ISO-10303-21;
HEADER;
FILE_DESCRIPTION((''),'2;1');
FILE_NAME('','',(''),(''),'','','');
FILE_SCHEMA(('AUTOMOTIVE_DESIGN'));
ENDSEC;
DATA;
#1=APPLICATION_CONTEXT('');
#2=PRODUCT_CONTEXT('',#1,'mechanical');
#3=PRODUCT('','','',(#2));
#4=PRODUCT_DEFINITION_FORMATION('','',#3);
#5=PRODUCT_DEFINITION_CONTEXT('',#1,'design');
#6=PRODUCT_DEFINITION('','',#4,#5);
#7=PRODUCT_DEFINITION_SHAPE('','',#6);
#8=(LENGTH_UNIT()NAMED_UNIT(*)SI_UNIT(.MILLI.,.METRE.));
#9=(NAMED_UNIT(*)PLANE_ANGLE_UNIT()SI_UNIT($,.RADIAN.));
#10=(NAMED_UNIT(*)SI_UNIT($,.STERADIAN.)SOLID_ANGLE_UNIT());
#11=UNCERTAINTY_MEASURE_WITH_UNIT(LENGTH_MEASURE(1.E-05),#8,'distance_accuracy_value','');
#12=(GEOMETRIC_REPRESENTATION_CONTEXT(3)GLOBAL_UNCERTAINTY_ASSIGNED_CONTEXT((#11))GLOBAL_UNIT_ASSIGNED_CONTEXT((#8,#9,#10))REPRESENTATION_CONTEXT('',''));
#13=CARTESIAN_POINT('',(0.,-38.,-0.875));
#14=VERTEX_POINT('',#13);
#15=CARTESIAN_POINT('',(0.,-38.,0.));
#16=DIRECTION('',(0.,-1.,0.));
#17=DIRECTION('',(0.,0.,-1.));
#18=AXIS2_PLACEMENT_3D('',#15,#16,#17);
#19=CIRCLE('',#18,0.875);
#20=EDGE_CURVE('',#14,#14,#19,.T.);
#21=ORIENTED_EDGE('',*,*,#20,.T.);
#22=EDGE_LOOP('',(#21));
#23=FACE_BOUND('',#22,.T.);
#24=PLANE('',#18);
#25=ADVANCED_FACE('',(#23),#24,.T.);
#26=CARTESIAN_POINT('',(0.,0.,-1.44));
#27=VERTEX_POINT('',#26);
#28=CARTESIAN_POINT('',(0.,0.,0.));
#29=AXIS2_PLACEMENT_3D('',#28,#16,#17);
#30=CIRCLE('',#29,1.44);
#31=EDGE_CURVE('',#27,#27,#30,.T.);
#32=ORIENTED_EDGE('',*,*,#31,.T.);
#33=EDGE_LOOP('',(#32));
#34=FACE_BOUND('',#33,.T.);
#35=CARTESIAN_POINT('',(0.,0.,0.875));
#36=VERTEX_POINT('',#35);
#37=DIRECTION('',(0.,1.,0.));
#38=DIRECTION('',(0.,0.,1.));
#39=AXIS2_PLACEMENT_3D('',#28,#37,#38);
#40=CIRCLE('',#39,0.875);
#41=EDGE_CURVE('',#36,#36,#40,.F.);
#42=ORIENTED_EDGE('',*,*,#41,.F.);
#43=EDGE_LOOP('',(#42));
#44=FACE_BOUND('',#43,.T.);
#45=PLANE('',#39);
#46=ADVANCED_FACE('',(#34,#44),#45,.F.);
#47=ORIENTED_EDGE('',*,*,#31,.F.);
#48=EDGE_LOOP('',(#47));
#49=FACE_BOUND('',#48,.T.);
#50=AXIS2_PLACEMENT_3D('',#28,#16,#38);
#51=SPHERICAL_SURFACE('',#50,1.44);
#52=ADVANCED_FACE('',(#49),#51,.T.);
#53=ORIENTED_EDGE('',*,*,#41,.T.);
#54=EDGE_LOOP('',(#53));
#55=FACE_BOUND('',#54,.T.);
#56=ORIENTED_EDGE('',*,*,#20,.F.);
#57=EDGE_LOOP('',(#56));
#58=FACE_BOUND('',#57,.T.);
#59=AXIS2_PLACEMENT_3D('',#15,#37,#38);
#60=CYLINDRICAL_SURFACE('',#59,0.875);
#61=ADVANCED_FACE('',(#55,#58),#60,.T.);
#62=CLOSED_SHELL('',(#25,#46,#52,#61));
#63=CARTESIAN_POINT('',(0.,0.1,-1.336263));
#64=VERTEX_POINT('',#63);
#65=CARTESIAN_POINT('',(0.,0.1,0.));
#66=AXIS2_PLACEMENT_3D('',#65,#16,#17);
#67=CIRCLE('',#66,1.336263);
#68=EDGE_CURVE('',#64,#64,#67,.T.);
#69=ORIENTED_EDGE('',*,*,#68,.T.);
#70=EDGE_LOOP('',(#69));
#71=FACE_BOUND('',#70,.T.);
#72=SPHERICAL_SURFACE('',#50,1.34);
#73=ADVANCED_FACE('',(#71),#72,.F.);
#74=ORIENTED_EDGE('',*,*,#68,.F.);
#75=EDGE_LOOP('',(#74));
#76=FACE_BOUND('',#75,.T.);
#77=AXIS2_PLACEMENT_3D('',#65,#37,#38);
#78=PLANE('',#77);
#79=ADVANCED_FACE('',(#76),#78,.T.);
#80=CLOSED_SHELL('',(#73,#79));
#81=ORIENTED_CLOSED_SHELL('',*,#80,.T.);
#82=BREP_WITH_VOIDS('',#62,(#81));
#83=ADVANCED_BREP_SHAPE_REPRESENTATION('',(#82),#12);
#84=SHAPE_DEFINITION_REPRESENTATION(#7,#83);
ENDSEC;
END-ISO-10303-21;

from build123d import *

# Parameters (mm, degrees)
SKETCH4_R           = 0.875
BOSS_EXTRUDE1_DEPTH = 38


with BuildPart() as part:
    # Sketch1 → Revolve-Thin4 (revolve)
    with BuildSketch(Plane(origin=(0, 0, 0), x_dir=(0, 0, -1), z_dir=(1, 0, 0))):
        with BuildLine():
            Line((0, 0), (1.44, 0))
            ThreePointArc((1.44, 0), (1.018233765, 1.018233765), (0, 1.44))
            Line((0, 1.44), (0, 1.34))
            ThreePointArc((0, 1.34), (0.911482309, 0.982242333), (1.336263447, 0.1))
            Line((1.336263447, 0.1), (0, 0.1))
            Line((0, 0.1), (0, 0))
        make_face()
    revolve(axis=Axis((0, -0.072, 0), (0, 1, 0)))

    # Sketch4 → Boss-Extrude1 (add)
    with BuildSketch(Plane.XZ):
        Circle(SKETCH4_R)
    extrude(amount=BOSS_EXTRUDE1_DEPTH)


solid = part.part
